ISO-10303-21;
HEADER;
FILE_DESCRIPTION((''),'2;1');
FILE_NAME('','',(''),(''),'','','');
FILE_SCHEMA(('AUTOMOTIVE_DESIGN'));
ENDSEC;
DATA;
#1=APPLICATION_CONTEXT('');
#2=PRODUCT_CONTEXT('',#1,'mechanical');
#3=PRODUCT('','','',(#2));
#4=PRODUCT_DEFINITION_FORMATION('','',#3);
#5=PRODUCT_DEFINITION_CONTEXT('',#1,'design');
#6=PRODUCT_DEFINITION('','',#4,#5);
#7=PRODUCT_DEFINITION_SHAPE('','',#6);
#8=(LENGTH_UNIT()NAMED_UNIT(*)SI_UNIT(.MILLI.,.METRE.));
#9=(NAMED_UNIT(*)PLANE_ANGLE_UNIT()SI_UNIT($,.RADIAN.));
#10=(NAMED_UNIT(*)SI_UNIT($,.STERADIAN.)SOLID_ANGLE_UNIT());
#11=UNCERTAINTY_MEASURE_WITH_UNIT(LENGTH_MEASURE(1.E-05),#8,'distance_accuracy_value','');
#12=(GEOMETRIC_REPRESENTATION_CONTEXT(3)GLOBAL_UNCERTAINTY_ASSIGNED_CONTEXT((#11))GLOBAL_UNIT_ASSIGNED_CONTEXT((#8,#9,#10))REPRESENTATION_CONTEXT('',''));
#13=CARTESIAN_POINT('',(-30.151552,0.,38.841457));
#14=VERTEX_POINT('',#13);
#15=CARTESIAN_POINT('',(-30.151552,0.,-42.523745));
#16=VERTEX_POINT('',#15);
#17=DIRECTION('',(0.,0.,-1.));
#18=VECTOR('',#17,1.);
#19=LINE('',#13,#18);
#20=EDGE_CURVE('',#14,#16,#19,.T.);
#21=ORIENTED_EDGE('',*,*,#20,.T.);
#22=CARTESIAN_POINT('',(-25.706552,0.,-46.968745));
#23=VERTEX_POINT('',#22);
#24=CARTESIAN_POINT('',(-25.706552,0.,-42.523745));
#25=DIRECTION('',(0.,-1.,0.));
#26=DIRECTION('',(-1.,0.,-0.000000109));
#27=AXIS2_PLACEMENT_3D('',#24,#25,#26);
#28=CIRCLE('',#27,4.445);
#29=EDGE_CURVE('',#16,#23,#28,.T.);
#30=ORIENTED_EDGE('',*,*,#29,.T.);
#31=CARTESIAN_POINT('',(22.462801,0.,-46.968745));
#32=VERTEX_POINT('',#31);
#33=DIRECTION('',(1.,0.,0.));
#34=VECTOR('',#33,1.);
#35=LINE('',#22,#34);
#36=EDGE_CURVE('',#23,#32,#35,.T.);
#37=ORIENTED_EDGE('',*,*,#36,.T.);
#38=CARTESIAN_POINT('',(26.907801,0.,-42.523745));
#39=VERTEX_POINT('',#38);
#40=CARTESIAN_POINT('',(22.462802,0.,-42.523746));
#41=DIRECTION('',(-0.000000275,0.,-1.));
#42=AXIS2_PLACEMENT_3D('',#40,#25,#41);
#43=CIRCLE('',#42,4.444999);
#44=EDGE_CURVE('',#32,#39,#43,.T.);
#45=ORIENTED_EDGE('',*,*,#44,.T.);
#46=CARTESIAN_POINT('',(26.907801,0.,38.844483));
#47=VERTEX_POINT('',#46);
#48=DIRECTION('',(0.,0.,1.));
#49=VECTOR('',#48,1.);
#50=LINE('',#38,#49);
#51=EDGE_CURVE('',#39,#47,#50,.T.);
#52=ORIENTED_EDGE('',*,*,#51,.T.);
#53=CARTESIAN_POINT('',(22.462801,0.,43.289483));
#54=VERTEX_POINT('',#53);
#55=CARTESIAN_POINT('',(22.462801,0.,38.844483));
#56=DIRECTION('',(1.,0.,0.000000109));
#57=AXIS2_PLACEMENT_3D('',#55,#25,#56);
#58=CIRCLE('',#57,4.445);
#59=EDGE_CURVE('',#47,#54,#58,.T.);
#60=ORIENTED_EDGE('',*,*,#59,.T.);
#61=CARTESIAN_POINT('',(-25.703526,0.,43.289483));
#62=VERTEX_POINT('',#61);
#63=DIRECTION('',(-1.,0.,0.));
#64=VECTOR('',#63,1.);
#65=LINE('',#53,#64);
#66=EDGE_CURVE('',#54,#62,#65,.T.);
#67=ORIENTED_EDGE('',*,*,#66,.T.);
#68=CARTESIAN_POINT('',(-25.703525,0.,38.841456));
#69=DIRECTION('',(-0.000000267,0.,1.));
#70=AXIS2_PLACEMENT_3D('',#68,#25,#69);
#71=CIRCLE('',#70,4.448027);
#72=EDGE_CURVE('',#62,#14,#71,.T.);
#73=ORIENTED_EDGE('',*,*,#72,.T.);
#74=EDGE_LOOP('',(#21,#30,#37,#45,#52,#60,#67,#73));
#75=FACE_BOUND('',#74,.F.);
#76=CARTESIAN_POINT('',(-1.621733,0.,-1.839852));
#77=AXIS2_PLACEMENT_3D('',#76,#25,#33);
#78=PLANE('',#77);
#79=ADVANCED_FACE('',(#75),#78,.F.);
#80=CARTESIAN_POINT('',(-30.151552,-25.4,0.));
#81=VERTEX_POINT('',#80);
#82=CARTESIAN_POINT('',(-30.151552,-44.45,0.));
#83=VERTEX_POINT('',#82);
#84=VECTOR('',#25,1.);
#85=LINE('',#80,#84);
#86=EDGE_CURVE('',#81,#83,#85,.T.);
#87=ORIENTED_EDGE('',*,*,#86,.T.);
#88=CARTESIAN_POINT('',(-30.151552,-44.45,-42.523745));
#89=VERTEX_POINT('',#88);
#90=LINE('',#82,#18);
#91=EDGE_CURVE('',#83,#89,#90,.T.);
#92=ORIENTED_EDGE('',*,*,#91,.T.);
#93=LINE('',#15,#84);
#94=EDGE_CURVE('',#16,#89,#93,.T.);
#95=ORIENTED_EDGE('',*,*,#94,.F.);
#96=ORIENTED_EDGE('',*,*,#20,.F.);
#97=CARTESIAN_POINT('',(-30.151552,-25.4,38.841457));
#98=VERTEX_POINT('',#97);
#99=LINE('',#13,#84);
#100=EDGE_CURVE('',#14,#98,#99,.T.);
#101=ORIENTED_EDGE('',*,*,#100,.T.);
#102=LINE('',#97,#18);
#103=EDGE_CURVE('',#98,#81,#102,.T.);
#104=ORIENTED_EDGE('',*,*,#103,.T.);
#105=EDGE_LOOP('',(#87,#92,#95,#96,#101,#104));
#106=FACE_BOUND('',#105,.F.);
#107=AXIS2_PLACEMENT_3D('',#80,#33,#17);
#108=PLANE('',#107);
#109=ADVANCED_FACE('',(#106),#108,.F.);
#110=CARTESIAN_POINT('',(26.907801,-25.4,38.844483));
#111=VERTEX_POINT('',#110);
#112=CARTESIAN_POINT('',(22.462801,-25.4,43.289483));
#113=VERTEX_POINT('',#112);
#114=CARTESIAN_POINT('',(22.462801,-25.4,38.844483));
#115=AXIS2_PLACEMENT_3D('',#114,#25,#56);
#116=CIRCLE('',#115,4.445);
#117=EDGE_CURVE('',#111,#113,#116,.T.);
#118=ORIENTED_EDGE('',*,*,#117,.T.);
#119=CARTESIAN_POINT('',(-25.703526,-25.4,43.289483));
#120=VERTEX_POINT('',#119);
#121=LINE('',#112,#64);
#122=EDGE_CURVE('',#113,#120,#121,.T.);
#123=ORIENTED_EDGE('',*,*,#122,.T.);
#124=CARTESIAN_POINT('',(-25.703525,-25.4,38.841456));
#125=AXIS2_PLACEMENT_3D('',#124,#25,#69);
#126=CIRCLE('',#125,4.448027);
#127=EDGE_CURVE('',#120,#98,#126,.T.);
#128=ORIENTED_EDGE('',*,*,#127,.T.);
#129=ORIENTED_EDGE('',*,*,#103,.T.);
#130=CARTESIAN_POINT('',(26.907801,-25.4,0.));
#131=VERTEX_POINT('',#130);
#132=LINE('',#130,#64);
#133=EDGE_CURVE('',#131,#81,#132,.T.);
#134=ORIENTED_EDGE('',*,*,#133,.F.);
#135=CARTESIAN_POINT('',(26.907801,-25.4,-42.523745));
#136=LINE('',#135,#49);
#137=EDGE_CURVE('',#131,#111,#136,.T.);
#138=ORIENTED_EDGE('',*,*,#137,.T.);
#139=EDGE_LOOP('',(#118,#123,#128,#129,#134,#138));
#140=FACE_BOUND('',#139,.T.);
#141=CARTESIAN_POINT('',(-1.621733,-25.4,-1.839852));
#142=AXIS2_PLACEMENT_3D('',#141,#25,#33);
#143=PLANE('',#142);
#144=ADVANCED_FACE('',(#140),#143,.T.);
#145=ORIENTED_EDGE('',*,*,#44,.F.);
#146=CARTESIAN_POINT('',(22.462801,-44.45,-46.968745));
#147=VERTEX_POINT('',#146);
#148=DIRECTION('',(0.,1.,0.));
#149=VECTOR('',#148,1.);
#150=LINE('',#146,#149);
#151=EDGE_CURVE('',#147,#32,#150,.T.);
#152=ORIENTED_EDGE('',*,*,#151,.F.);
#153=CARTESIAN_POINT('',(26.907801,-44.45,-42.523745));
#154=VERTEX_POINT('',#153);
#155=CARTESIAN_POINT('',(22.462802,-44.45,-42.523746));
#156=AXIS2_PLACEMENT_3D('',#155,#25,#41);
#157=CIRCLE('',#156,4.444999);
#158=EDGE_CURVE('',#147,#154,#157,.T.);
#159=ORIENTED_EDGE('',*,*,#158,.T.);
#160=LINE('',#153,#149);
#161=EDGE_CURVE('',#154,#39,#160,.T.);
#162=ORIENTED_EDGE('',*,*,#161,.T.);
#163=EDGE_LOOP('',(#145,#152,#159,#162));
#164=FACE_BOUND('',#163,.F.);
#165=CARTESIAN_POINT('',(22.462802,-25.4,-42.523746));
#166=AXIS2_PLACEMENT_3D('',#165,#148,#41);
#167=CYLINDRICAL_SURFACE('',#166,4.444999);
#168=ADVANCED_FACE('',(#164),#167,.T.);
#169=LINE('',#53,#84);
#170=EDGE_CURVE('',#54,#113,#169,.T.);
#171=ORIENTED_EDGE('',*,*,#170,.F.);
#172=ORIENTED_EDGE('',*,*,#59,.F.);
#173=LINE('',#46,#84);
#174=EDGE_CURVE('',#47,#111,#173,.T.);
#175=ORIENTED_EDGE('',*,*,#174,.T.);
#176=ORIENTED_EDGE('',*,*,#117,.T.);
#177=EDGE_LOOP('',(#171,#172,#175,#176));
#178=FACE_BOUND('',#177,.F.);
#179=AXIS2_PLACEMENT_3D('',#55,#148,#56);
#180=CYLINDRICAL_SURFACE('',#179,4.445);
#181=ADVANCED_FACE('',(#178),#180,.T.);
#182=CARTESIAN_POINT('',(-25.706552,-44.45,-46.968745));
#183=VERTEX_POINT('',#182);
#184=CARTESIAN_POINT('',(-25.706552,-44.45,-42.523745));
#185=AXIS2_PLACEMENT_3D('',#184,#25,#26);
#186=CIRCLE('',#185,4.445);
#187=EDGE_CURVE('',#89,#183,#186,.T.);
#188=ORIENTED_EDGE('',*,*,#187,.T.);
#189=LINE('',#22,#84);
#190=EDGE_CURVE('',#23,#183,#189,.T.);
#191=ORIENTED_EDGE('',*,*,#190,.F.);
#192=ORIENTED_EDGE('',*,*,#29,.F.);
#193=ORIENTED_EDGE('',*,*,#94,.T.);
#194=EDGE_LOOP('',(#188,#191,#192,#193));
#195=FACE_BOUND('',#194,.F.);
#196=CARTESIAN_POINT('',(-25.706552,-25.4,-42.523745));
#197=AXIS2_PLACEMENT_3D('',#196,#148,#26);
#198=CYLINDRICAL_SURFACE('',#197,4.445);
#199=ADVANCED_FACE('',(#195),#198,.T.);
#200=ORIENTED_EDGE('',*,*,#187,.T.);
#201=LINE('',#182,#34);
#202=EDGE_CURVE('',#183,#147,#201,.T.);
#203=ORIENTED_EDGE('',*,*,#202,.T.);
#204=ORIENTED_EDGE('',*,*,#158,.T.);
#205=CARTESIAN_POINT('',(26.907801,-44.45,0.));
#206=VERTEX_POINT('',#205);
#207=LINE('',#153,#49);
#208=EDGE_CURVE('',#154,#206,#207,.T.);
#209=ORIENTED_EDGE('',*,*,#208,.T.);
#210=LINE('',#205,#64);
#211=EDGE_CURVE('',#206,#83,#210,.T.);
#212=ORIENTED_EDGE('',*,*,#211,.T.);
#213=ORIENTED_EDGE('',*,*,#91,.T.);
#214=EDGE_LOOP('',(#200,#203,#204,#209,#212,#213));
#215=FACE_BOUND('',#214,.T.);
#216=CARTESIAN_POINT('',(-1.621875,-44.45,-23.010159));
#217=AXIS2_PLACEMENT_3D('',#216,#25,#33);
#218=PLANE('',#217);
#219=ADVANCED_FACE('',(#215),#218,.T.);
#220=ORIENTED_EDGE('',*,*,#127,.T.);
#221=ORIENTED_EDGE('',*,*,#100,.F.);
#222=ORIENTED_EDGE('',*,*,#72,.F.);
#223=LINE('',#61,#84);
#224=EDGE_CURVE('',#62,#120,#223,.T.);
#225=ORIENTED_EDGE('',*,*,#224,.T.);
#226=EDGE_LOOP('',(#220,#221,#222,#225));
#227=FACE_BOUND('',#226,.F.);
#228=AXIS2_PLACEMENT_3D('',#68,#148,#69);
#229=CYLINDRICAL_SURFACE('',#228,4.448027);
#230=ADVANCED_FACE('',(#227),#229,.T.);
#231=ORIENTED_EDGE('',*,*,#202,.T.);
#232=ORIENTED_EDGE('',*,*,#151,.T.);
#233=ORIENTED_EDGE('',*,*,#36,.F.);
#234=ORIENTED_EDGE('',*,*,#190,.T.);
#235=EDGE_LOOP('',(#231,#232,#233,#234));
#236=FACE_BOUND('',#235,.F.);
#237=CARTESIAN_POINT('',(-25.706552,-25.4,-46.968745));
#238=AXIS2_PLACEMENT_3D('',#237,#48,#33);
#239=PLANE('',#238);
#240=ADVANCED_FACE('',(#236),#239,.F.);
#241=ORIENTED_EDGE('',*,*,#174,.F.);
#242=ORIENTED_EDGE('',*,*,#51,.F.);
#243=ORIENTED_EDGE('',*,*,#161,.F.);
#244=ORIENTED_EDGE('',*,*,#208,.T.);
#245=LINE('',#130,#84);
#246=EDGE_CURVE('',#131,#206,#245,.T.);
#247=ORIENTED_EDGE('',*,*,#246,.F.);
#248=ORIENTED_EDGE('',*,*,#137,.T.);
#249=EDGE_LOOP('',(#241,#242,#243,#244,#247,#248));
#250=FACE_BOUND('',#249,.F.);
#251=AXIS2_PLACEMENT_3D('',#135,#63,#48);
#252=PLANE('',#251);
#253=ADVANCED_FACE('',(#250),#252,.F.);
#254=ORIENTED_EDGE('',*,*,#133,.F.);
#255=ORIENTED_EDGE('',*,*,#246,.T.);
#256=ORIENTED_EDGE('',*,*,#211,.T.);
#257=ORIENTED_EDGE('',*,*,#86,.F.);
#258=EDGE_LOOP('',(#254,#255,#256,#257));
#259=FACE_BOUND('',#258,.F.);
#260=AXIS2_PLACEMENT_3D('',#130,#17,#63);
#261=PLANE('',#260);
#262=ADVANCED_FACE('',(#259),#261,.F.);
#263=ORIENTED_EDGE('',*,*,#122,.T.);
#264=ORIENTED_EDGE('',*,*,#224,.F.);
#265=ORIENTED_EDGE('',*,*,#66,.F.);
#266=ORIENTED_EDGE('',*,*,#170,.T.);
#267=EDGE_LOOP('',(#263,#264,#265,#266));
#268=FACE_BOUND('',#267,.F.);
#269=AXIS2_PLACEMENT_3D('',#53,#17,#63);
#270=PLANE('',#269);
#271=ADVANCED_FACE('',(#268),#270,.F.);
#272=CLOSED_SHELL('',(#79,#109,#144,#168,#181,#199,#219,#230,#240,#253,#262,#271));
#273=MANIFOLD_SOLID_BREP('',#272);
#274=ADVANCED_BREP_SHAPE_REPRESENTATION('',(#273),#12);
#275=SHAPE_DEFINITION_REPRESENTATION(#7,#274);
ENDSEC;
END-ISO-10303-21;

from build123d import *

# Parameters (mm, degrees)
F1_DEPTH = 25.4
F3_DEPTH = 19.05


with BuildPart() as f1:
    # F0 (on Front) → F1 (new body)
    with BuildSketch(Plane.XZ):
        with BuildLine():
            Line((22.462801, 43.289483), (-25.703526, 43.289483))
            ThreePointArc((-25.703526, 43.289483), (-28.848755, 41.986686), (-30.151552, 38.841457))
            Line((-30.151552, 38.841457), (-30.151552, -42.523745))
            ThreePointArc((-30.151552, -42.523745), (-28.849641, -45.666835), (-25.706552, -46.968745))
            Line((-25.706552, -46.968745), (22.462801, -46.968745))
            ThreePointArc((22.462801, -46.968745), (25.605891, -45.666835), (26.907801, -42.523745))
            Line((26.907801, -42.523745), (26.907801, 38.844483))
            ThreePointArc((26.907801, 38.844483), (25.605891, 41.987572), (22.462801, 43.289483))
        make_face()
    extrude(amount=F1_DEPTH)

    # F2 (on face) → F3 (join)
    with BuildSketch(Plane.XZ.offset(25.4)):
        with BuildLine():
            Line((26.907801, 0), (-30.151552, 0))
            Line((-30.151552, 0), (-30.151552, -42.523745))
            ThreePointArc((-30.151552, -42.523745), (-28.849641, -45.666835), (-25.706552, -46.968745))
            Line((-25.706552, -46.968745), (22.462801, -46.968745))
            ThreePointArc((22.462801, -46.968745), (25.605891, -45.666835), (26.907801, -42.523745))
            Line((26.907801, -42.523745), (26.907801, 0))
        make_face()
    extrude(amount=F3_DEPTH)


solid = f1.part
